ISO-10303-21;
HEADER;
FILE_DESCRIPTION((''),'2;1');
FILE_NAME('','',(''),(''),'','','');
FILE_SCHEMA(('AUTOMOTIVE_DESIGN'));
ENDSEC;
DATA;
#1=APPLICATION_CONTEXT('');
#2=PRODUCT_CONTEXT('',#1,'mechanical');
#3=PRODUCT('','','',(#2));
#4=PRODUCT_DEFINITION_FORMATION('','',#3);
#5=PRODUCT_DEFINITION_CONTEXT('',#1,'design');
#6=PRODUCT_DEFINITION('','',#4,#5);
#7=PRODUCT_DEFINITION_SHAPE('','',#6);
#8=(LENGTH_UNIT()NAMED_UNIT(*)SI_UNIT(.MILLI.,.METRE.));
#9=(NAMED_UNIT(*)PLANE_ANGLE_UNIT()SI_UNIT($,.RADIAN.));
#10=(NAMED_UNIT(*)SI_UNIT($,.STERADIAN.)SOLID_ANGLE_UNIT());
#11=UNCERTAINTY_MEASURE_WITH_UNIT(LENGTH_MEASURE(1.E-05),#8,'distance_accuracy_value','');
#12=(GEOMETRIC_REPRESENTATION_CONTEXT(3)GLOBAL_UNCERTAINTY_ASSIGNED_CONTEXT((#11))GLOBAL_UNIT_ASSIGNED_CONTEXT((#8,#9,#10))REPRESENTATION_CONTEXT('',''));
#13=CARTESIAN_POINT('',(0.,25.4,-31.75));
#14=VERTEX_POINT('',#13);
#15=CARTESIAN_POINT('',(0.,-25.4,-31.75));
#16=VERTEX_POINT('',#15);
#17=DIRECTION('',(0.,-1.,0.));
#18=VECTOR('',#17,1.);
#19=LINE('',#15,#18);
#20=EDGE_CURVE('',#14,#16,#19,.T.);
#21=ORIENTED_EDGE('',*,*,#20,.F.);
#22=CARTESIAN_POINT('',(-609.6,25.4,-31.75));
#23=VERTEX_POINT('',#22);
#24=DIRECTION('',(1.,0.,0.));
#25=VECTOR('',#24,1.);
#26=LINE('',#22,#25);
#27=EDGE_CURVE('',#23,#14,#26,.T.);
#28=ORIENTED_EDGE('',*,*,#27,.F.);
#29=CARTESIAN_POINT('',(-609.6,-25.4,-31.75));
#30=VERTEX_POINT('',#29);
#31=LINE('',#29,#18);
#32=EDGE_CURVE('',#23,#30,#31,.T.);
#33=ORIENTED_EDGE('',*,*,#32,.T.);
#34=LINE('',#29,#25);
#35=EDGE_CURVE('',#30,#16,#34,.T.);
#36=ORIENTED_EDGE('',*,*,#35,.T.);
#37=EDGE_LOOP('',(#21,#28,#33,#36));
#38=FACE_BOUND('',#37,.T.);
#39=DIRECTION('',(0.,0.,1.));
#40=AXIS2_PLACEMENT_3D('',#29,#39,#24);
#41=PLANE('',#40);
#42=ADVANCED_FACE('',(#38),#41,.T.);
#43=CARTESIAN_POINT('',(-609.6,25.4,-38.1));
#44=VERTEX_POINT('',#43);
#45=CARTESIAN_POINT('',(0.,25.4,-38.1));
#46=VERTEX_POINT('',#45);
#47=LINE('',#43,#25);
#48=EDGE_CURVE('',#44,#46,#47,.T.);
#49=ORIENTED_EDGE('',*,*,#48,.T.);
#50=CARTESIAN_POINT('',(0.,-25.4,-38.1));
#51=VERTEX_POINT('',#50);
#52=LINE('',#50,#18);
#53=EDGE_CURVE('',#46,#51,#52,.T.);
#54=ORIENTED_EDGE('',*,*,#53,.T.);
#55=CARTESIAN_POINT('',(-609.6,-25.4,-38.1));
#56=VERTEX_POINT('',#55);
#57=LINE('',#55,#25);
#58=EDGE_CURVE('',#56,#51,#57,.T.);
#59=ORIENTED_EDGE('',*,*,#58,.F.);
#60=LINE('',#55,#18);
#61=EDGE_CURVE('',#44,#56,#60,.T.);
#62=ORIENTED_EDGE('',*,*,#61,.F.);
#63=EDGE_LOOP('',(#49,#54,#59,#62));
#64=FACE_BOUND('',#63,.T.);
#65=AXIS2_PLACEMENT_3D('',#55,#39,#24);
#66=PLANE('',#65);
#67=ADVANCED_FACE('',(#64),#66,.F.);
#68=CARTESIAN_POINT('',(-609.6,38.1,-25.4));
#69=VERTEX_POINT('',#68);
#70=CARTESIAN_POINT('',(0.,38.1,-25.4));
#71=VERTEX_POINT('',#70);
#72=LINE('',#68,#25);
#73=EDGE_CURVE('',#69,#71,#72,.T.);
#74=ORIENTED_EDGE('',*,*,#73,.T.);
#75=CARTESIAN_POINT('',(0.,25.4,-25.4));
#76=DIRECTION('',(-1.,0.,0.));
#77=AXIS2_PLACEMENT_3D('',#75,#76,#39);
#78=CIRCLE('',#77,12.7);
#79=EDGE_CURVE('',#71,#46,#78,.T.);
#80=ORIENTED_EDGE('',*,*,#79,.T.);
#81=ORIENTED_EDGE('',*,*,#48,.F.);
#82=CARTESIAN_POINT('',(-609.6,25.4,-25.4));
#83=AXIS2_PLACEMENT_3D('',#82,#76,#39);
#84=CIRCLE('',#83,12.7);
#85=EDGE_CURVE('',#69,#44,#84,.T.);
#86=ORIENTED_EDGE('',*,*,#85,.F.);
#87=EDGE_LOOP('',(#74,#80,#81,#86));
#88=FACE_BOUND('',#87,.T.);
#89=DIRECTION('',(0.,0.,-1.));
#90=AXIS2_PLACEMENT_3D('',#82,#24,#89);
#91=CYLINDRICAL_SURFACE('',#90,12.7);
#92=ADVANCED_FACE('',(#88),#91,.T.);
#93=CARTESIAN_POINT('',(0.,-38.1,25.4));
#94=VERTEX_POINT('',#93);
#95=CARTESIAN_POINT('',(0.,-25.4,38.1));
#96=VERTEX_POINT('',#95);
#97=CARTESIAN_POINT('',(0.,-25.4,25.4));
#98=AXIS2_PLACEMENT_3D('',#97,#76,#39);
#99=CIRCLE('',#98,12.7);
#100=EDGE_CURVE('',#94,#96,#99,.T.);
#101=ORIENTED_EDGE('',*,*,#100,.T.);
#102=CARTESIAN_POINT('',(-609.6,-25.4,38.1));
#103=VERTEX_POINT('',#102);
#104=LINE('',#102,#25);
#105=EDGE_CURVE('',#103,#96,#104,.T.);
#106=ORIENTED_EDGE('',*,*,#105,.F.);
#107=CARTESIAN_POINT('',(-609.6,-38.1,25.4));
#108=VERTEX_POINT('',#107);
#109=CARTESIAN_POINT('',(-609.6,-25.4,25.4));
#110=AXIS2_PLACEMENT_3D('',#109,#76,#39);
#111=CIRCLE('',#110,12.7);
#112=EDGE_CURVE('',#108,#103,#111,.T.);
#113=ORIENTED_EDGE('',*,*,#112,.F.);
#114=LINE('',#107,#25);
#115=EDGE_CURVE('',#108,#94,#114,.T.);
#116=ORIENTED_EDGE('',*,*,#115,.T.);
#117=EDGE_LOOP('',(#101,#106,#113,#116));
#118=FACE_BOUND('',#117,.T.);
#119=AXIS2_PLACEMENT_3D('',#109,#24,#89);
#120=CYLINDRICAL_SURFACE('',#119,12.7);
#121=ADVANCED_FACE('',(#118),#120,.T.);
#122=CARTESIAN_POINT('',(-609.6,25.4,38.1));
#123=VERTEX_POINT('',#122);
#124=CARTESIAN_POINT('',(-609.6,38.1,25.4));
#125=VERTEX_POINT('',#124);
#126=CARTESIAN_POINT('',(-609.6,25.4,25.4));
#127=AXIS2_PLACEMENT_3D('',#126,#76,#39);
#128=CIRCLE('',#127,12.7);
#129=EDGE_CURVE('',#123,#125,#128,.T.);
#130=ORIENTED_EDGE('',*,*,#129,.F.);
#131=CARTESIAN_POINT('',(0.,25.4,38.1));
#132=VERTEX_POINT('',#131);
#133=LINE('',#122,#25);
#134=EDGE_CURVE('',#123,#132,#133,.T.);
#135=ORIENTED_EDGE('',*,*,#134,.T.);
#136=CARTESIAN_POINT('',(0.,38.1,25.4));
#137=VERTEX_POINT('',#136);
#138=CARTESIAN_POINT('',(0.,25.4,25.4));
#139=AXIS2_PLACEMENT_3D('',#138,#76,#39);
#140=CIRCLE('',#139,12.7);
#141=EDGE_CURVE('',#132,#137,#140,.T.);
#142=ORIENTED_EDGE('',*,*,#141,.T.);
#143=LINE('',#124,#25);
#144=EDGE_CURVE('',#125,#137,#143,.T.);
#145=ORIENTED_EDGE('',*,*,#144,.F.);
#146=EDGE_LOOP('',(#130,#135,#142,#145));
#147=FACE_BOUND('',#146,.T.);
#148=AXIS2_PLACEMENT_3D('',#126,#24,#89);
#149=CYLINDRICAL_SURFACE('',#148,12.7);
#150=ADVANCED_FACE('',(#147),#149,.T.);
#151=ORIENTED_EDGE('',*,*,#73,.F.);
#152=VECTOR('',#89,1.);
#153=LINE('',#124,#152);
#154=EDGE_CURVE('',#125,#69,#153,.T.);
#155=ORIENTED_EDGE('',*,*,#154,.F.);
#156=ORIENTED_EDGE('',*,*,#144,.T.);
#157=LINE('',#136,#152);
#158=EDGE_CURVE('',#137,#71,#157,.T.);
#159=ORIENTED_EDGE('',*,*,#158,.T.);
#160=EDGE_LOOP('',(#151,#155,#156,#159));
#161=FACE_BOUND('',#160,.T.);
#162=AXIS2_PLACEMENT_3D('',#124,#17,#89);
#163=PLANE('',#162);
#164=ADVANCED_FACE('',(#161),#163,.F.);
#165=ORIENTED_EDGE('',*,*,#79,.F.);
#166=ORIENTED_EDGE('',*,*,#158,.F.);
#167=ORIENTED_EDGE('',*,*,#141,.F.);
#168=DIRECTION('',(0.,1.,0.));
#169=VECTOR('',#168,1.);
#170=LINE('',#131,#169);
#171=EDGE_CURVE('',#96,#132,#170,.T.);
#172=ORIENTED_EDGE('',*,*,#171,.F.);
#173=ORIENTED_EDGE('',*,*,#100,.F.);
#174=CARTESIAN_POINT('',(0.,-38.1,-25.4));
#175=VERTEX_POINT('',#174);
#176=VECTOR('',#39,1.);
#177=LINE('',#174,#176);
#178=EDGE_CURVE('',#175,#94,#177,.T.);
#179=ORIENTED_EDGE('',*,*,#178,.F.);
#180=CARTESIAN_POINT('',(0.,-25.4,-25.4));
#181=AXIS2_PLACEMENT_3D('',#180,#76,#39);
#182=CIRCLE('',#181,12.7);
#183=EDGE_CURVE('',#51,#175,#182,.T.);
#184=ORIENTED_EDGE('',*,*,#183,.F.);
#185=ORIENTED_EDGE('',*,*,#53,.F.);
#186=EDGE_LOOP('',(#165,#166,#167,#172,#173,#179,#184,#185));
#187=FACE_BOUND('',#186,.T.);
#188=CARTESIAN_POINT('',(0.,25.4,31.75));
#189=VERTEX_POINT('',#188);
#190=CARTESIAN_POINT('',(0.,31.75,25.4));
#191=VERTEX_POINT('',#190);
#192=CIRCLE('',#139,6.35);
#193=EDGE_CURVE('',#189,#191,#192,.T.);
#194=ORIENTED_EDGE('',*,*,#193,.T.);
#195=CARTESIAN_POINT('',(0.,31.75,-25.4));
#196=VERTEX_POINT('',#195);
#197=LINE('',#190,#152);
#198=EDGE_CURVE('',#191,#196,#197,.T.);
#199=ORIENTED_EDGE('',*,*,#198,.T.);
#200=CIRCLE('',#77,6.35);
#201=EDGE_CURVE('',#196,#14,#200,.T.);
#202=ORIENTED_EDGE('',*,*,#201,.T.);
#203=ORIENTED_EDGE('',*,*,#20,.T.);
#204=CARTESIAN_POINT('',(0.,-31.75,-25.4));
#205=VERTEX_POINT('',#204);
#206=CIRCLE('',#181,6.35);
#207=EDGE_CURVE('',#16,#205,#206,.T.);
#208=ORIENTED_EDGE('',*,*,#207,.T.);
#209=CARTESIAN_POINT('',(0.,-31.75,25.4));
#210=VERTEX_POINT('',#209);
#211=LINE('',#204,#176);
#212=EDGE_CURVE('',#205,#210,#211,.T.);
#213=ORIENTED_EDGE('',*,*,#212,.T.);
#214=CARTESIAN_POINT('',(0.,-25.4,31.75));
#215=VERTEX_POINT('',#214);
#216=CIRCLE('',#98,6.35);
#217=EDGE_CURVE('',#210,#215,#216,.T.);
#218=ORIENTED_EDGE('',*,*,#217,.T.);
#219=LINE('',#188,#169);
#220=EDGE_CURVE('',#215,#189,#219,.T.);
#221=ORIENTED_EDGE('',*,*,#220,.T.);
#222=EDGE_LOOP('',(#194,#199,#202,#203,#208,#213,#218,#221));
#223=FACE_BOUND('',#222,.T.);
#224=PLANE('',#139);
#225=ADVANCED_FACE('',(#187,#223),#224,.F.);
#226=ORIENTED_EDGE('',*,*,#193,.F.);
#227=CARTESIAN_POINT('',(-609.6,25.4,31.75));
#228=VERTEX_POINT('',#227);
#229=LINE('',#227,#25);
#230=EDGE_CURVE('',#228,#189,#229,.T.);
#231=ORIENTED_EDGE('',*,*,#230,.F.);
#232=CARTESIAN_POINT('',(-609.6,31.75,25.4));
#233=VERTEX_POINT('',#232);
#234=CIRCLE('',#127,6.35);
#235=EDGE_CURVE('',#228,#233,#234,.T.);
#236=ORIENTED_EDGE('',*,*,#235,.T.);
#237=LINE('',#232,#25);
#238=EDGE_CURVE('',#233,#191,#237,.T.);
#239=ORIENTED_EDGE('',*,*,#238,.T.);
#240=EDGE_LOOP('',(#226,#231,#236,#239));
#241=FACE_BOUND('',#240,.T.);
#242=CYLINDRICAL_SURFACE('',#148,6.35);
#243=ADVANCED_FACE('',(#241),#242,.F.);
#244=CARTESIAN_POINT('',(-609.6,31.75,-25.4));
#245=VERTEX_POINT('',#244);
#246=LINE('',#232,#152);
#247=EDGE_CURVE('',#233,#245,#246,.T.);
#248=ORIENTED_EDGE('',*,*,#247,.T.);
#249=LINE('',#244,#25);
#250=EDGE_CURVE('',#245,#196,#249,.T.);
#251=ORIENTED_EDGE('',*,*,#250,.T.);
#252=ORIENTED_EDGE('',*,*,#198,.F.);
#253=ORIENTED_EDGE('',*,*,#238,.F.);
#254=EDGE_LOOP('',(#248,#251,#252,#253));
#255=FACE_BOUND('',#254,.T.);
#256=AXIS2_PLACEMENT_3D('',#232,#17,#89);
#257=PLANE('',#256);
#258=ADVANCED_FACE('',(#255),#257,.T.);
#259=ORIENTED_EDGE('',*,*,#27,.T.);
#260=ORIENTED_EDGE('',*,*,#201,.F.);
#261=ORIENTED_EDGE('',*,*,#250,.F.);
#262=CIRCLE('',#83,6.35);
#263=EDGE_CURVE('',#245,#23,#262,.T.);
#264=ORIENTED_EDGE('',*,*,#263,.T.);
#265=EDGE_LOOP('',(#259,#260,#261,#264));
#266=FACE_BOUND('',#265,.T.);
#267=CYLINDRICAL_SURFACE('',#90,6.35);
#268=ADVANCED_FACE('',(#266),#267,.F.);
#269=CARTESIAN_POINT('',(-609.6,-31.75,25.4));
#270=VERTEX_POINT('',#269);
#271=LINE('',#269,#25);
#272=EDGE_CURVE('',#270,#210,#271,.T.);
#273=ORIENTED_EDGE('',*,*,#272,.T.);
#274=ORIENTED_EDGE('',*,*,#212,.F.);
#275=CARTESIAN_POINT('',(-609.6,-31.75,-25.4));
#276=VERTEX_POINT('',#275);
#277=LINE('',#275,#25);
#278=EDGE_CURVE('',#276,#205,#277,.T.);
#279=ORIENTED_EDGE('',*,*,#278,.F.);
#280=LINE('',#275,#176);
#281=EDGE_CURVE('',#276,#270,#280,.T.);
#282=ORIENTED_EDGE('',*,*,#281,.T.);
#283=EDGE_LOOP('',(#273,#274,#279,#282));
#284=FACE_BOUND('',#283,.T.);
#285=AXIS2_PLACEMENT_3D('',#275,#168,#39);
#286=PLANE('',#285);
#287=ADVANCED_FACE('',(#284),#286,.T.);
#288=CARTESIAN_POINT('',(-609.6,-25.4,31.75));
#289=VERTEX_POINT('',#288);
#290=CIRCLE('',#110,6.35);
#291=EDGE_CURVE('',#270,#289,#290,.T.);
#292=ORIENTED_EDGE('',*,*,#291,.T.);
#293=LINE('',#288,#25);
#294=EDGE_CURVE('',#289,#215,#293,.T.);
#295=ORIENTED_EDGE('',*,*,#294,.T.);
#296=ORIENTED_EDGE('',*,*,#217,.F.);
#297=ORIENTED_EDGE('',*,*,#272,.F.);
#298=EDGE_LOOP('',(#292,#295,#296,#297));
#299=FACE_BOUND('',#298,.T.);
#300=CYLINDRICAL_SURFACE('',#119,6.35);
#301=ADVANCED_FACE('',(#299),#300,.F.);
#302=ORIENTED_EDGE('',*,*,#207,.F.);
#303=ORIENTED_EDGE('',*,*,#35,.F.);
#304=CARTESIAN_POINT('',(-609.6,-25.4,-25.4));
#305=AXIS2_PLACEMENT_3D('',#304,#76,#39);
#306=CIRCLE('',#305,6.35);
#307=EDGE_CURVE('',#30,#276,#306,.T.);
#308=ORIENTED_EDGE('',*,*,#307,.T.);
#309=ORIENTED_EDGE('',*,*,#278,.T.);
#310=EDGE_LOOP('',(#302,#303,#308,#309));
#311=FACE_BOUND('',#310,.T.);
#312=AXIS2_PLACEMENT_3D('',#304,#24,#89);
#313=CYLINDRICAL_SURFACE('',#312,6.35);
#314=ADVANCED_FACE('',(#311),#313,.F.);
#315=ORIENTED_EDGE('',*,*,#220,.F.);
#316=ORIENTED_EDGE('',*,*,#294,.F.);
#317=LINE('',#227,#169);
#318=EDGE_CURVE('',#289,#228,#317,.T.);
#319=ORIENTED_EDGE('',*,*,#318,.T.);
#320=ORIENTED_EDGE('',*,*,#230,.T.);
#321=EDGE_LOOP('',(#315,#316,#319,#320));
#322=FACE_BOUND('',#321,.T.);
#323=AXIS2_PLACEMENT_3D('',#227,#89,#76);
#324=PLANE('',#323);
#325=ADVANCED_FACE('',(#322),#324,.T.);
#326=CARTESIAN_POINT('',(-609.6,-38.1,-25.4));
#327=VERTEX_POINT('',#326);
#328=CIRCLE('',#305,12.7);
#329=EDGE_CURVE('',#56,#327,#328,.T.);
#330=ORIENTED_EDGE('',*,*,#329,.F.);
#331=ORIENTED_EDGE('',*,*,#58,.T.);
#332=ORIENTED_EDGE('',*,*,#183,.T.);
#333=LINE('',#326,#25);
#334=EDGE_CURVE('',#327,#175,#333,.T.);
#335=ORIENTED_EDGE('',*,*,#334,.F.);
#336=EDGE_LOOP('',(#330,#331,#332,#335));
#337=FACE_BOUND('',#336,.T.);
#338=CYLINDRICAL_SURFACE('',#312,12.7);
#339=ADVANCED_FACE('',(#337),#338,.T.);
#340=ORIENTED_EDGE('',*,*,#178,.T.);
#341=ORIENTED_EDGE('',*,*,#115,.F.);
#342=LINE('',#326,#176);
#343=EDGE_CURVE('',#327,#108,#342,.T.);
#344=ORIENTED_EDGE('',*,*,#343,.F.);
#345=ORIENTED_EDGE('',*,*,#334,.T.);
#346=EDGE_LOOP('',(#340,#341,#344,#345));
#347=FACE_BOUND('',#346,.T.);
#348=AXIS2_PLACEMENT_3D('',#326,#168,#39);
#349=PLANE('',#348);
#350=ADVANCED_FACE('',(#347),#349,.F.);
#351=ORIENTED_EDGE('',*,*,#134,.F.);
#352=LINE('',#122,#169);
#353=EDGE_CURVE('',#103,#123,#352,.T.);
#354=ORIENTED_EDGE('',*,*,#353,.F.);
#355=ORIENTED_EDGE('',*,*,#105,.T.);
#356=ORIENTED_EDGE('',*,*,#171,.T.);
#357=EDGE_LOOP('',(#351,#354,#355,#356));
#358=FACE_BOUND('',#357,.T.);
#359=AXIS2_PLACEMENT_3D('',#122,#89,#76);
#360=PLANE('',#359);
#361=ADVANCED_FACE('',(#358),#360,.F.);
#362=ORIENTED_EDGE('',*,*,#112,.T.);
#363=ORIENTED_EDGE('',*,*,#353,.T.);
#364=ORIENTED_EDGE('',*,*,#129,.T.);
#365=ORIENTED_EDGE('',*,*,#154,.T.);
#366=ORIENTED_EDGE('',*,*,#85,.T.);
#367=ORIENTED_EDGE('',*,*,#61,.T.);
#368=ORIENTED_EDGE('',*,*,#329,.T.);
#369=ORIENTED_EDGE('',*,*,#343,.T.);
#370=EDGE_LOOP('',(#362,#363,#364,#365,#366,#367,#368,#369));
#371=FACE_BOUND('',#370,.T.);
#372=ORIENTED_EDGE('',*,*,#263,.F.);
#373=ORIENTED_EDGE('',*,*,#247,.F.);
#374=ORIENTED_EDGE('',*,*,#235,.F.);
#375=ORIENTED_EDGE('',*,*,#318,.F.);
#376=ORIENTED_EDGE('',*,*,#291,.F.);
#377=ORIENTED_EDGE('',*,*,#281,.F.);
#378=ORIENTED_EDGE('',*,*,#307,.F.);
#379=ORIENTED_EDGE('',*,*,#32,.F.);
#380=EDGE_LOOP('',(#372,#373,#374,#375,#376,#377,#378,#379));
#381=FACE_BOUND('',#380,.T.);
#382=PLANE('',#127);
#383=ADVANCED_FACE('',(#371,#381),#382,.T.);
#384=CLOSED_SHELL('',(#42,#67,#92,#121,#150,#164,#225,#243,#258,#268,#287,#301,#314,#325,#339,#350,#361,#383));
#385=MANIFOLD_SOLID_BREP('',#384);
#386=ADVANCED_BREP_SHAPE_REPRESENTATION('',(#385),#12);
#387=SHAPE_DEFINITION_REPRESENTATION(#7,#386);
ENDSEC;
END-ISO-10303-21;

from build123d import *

# Parameters (mm, degrees)
STRUCTURAL_MEMBER1_DEPTH = 609.6


with BuildPart() as part:
    # Sketch1 → Structural Member1 (new body)
    with BuildSketch(Plane.ZY):
        with BuildLine():
            Line((-25.4, -38.1), (25.4, -38.1))
            ThreePointArc((25.4, -38.1), (34.380256121, -34.380256121), (38.1, -25.4))
            Line((38.1, -25.4), (38.1, 25.4))
            ThreePointArc((38.1, 25.4), (34.380256121, 34.380256121), (25.4, 38.1))
            Line((25.4, 38.1), (-25.4, 38.1))
            ThreePointArc((-25.4, 38.1), (-34.380256121, 34.380256121), (-38.1, 25.4))
            Line((-38.1, 25.4), (-38.1, -25.4))
            ThreePointArc((-38.1, -25.4), (-34.380256121, -34.380256121), (-25.4, -38.1))
        make_face()
        with BuildLine():
            Line((-25.4, -31.75), (25.4, -31.75))
            ThreePointArc((25.4, -31.75), (29.890128061, -29.890128061), (31.75, -25.4))
            Line((31.75, -25.4), (31.75, 25.4))
            ThreePointArc((31.75, 25.4), (29.890128061, 29.890128061), (25.4, 31.75))
            Line((25.4, 31.75), (-25.4, 31.75))
            ThreePointArc((-25.4, 31.75), (-29.890128061, 29.890128061), (-31.75, 25.4))
            Line((-31.75, 25.4), (-31.75, -25.4))
            ThreePointArc((-31.75, -25.4), (-29.890128061, -29.890128061), (-25.4, -31.75))
        make_face(mode=Mode.SUBTRACT)
    extrude(amount=STRUCTURAL_MEMBER1_DEPTH)


solid = part.part
